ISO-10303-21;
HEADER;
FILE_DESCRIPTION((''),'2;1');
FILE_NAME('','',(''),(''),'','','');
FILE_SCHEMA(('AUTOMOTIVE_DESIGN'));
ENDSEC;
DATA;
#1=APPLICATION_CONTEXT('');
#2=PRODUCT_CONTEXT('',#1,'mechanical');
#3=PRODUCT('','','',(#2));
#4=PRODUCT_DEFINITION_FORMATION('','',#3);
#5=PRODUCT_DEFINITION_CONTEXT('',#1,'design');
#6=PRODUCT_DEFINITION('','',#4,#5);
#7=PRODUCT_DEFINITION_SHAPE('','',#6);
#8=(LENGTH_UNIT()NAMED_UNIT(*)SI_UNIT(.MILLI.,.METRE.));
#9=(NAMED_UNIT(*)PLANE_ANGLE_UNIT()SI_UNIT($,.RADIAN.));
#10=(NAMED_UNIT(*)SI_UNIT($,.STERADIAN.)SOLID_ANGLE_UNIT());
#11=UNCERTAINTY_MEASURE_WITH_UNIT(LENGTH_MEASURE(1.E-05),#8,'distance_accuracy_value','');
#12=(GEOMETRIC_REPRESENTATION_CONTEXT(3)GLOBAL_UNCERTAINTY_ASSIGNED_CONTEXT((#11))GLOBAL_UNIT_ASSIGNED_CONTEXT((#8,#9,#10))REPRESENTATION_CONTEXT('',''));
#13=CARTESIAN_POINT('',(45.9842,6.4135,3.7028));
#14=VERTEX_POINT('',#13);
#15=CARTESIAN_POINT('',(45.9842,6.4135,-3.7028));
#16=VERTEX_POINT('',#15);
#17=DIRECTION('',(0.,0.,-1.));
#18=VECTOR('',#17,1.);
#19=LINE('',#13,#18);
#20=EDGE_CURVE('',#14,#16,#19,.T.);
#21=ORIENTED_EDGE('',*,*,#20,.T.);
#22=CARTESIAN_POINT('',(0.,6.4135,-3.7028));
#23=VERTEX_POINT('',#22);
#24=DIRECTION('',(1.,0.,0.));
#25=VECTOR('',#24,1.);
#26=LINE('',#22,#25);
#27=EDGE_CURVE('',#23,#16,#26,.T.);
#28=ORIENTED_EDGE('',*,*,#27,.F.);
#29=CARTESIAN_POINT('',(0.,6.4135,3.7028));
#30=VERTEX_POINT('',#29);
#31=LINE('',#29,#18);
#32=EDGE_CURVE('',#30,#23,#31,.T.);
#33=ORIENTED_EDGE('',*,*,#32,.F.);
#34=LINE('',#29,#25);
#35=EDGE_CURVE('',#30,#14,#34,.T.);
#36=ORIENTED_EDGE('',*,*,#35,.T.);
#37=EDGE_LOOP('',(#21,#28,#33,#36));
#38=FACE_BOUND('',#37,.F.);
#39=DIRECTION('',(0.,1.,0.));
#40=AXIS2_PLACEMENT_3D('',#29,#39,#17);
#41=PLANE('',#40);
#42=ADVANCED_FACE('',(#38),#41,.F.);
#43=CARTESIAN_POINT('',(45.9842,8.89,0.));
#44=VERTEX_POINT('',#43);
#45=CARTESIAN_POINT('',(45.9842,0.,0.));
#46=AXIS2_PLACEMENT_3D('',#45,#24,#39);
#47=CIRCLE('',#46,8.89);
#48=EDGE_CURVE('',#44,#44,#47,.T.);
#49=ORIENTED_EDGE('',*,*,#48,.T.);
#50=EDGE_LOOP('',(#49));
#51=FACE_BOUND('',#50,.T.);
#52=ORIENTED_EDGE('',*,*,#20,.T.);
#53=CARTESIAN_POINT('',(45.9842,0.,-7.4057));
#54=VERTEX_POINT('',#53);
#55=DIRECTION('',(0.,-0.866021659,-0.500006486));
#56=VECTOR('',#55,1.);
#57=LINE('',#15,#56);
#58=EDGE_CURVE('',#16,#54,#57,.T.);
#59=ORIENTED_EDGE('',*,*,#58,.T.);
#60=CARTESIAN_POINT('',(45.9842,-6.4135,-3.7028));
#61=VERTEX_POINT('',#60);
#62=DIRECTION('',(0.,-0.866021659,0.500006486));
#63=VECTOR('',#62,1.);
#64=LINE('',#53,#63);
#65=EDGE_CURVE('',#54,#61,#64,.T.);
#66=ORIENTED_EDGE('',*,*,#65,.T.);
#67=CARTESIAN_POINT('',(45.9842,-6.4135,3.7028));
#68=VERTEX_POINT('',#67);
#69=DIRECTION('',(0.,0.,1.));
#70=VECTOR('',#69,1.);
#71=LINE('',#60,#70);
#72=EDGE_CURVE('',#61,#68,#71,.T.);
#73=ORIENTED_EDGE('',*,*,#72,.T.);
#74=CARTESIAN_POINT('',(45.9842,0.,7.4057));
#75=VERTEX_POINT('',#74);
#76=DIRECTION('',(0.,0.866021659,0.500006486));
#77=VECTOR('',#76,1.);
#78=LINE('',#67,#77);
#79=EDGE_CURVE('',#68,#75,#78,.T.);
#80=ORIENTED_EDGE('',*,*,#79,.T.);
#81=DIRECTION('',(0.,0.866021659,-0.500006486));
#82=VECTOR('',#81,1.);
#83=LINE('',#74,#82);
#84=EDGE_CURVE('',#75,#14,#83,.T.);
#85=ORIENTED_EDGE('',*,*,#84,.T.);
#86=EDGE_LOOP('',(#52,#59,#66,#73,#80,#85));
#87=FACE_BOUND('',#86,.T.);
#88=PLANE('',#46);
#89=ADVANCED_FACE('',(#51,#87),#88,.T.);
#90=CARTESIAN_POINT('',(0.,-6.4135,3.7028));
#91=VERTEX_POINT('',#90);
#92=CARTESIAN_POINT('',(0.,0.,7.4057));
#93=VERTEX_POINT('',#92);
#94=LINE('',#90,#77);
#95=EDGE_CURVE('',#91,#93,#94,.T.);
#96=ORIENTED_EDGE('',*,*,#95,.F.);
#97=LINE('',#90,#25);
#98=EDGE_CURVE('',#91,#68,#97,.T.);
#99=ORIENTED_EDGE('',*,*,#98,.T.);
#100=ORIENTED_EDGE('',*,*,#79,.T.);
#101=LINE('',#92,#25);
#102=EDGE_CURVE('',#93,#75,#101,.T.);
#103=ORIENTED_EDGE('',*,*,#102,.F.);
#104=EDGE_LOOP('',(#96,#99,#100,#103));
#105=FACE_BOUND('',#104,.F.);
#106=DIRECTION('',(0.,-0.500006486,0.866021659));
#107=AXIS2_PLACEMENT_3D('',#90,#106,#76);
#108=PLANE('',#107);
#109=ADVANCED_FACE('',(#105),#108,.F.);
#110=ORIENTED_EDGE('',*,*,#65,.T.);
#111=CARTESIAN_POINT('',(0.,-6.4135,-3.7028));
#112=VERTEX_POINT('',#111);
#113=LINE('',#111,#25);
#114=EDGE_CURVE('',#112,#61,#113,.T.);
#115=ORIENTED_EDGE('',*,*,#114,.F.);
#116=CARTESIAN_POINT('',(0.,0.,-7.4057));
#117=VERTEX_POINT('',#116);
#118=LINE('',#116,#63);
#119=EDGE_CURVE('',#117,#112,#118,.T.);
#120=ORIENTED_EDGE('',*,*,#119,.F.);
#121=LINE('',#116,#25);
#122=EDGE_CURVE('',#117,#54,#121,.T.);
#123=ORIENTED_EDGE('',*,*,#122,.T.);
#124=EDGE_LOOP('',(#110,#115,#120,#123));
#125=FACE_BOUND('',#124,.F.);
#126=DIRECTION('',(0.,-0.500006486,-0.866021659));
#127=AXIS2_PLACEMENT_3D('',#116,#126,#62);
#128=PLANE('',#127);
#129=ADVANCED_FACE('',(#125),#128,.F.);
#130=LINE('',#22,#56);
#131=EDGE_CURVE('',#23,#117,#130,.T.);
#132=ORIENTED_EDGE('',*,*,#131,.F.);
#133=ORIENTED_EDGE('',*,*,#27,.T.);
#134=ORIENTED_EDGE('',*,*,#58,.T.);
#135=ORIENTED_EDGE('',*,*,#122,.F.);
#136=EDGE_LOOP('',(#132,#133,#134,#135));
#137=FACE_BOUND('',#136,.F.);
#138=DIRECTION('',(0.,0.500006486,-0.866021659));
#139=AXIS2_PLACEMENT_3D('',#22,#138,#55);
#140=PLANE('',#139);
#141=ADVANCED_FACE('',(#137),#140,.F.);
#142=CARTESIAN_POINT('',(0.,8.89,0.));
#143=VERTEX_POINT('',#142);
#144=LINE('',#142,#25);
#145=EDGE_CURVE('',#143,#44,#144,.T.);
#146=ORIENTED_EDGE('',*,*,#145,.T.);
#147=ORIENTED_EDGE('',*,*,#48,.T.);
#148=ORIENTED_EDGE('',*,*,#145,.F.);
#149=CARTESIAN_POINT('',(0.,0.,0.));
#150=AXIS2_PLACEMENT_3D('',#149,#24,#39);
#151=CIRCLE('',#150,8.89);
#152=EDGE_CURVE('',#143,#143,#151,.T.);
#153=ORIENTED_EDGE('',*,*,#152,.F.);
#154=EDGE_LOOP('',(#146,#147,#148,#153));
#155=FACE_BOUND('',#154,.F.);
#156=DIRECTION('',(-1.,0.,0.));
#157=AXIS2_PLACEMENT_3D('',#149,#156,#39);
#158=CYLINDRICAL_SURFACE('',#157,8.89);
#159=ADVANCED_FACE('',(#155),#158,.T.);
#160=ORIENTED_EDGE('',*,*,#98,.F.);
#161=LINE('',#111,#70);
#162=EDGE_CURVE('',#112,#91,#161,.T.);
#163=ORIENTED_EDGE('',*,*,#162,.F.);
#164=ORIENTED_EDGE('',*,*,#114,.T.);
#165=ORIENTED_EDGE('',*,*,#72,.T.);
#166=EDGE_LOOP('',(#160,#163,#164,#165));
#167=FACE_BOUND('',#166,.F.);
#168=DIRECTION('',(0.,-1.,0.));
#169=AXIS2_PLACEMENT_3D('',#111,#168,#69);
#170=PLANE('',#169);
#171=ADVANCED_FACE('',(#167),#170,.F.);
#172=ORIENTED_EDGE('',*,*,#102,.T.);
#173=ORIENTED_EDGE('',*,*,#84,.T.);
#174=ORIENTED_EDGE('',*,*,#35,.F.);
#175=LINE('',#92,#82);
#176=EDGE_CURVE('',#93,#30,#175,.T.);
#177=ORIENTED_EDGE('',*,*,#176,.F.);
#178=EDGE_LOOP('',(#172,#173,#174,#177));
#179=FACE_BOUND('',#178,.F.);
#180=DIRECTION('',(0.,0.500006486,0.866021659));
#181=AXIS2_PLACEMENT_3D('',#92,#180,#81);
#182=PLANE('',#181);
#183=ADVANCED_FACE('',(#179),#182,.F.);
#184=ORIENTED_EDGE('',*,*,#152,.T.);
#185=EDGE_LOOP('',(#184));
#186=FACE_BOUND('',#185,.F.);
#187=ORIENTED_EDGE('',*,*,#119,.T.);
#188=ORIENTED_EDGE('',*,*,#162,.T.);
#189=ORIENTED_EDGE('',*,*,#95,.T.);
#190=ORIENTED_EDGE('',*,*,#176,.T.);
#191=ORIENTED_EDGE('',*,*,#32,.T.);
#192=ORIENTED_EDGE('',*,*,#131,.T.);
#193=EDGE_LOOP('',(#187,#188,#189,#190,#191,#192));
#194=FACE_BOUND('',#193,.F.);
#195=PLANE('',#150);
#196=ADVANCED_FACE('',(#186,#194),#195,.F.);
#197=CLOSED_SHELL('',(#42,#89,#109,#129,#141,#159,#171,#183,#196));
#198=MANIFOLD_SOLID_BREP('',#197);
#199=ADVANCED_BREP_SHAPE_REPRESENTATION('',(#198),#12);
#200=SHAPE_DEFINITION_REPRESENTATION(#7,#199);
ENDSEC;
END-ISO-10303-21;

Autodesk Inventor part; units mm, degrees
ref_plane "YZ Plane" through (0, 0, 0) normal (1, 0, 0) x (0, 1, 0)
ref_plane "XZ Plane" through (0, 0, 0) normal (0, 1, 0) x (-1, 0, 0)
ref_plane "XY Plane" through (0, 0, 0) normal (0, 0, 1) x (1, 0, 0)
sketch "Sketch1" plane through (0, 0, 0) normal (1, 0, 0) x (0, 1, 0)
  line L0 (-6.4135, -3.7028) -> (-6.4135, 3.7028)
  line L1 (-6.4135, 3.7028) -> (0, 7.4057)
  line L2 (0, 7.4057) -> (6.4135, 3.7028)
  line L3 (6.4135, 3.7028) -> (6.4135, -3.7028)
  line L4 (6.4135, -3.7028) -> (0, -7.4057)
  line L5 (0, -7.4057) -> (-6.4135, -3.7028)
  circle A0 centre (0, 0) radius 8.89
  dimension "d0" = 12.827
  dimension "d1" = 17.78
extrude "Extrusion1" add sketch "Sketch1" along normal blind 45.9842
properties part number "3DPRINT,BACKROLLERS,OPENSIDE,SPACER" material "ABS Plastic"
